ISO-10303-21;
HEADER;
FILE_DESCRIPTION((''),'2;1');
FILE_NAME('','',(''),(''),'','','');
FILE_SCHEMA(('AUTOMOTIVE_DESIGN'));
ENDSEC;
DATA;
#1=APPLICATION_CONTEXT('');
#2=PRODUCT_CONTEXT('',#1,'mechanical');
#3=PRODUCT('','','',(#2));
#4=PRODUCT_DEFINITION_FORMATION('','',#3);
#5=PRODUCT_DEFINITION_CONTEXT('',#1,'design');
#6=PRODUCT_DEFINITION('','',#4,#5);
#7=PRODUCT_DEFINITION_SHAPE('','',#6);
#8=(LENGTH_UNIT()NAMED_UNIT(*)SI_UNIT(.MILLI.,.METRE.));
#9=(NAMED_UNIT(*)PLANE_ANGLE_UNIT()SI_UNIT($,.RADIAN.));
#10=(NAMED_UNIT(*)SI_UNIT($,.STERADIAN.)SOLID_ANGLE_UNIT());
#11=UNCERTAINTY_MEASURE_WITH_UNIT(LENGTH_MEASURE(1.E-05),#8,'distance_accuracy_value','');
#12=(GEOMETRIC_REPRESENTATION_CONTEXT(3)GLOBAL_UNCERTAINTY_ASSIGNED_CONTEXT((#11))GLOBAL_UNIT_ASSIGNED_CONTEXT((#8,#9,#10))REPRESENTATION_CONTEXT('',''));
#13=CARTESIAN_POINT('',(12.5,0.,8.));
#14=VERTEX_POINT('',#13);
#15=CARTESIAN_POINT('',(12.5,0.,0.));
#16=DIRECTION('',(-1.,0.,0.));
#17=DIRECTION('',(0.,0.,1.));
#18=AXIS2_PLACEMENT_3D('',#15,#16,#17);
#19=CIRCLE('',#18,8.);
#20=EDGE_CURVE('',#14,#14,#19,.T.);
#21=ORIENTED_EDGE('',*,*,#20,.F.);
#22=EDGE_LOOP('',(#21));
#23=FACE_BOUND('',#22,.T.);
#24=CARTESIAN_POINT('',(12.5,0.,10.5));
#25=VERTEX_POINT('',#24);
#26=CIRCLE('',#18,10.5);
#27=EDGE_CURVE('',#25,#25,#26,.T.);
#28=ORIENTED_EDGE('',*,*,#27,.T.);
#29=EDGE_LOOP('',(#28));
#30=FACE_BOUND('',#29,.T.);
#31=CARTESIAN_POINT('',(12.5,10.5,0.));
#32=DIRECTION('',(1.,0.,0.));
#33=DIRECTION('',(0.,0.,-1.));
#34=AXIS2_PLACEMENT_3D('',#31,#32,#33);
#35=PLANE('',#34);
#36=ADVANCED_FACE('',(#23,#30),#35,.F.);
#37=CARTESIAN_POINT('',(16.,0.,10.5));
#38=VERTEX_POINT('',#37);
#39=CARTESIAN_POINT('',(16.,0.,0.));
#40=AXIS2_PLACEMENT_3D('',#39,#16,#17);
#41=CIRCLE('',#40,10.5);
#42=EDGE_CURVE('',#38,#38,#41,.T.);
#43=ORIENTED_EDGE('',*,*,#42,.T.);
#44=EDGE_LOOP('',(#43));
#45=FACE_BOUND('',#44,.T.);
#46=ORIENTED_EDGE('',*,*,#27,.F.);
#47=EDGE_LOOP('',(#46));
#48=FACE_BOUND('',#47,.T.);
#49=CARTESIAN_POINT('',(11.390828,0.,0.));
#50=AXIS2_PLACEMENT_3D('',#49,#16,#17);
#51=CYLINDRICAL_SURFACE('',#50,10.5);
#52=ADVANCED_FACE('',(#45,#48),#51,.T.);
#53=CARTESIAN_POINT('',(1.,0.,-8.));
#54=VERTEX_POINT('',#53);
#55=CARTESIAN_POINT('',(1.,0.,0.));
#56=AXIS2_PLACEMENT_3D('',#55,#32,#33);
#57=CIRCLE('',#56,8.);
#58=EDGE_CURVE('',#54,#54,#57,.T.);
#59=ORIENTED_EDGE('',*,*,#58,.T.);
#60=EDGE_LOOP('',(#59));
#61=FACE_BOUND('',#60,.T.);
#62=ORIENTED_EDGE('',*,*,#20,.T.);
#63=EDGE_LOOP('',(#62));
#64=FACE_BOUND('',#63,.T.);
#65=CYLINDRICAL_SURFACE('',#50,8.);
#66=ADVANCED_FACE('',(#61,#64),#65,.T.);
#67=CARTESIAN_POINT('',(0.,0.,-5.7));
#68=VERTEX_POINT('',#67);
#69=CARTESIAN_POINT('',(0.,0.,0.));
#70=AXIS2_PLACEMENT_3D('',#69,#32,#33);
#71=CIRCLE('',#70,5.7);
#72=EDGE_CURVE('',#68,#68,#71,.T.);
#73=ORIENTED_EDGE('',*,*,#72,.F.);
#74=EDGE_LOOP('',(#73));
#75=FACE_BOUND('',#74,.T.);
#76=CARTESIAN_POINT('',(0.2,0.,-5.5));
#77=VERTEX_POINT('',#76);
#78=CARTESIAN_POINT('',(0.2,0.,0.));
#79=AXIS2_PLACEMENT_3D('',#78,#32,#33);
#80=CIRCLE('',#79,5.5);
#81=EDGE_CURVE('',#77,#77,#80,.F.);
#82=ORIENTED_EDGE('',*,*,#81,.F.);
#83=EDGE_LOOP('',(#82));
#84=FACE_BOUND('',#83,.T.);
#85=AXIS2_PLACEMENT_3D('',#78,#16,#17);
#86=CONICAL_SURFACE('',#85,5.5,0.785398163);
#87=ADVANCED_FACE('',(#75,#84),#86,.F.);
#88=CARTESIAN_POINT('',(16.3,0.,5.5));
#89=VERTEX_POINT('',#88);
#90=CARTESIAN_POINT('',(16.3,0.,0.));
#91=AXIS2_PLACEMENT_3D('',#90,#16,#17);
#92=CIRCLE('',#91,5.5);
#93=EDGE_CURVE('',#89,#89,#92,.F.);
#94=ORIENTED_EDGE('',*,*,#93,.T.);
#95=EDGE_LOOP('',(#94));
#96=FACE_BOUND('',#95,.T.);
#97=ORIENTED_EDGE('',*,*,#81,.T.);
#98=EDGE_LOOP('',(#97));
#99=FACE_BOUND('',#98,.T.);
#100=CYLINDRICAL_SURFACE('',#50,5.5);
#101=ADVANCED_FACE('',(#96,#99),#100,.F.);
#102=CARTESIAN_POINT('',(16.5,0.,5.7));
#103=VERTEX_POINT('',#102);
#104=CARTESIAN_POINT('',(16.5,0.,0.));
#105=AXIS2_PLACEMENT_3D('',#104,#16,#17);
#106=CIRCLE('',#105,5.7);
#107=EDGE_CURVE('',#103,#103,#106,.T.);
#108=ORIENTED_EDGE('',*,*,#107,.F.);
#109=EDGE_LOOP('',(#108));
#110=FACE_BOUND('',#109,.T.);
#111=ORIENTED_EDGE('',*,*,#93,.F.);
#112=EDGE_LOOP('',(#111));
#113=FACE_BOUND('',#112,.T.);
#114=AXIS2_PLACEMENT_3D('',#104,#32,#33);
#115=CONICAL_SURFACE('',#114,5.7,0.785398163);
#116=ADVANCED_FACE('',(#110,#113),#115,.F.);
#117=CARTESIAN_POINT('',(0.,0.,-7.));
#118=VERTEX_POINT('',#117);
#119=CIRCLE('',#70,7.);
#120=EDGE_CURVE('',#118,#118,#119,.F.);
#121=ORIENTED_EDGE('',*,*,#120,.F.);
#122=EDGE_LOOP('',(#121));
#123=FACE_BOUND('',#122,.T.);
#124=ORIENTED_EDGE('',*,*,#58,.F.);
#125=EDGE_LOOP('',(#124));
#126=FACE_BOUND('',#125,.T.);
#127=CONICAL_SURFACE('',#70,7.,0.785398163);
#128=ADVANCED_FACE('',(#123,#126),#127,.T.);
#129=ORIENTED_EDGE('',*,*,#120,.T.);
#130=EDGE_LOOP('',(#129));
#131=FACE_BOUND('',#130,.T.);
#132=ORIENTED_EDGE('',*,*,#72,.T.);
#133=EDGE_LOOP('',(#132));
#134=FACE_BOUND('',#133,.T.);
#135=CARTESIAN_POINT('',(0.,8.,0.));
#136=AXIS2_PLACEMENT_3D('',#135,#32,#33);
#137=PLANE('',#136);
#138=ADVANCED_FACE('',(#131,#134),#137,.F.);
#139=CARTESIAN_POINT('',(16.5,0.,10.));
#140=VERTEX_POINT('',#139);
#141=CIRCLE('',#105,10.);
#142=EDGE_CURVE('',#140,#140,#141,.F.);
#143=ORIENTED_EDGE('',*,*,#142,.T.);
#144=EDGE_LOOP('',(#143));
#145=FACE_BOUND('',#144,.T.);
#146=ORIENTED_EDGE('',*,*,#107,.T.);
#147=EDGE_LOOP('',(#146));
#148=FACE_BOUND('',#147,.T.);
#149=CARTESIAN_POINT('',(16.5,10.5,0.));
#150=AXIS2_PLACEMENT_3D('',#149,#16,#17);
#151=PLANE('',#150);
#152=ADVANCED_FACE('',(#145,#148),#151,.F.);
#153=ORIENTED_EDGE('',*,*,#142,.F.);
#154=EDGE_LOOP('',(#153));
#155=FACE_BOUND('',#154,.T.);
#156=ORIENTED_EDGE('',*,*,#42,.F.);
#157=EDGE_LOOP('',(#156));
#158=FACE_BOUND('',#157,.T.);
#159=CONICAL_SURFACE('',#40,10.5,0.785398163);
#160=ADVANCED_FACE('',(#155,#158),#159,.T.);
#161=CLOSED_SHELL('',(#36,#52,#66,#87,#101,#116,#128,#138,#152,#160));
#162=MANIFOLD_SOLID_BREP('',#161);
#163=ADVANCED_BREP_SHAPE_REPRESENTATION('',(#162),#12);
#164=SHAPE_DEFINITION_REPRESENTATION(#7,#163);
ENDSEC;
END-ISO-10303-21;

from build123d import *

# Parameters (mm, degrees)
CHANFREIN1_SIZE = 0.5
CHANFREIN2_SIZE = 1
CHANFREIN3_SIZE = 0.2


with BuildPart() as part:
    # Esquisse1 → Base-Révolution (revolve)
    with BuildSketch(Plane.XY, mode=Mode.PRIVATE) as base_r_volution_sk:
        Polygon((12.5, 10.5), (16.5, 10.5), (16.5, 5.5), (0, 5.5), (0, 8), (12.5, 8), align=None)
    revolve(base_r_volution_sk.sketch.rotate(Axis((11.390827922, 0, 0), (1, 0, 0)), 90), axis=Axis((11.390827922, 0, 0), (1, 0, 0)))

    # Chanfrein1
    chanfrein1_edges = [part.edges().sort_by_distance(p)[0] for p in [
        (16.5, 0, -10.5),
    ]]
    chamfer(chanfrein1_edges, length=CHANFREIN1_SIZE)

    # Chanfrein2
    chanfrein2_edges = [part.edges().sort_by_distance(p)[0] for p in [
        (0, 0, -8),
    ]]
    chamfer(chanfrein2_edges, length=CHANFREIN2_SIZE)

    # Chanfrein3
    chanfrein3_edges = [part.edges().sort_by_distance(p)[0] for p in [
        (0, 0, -5.5),
        (16.5, 0, -5.5),
    ]]
    chamfer(chanfrein3_edges, length=CHANFREIN3_SIZE)


solid = part.part
